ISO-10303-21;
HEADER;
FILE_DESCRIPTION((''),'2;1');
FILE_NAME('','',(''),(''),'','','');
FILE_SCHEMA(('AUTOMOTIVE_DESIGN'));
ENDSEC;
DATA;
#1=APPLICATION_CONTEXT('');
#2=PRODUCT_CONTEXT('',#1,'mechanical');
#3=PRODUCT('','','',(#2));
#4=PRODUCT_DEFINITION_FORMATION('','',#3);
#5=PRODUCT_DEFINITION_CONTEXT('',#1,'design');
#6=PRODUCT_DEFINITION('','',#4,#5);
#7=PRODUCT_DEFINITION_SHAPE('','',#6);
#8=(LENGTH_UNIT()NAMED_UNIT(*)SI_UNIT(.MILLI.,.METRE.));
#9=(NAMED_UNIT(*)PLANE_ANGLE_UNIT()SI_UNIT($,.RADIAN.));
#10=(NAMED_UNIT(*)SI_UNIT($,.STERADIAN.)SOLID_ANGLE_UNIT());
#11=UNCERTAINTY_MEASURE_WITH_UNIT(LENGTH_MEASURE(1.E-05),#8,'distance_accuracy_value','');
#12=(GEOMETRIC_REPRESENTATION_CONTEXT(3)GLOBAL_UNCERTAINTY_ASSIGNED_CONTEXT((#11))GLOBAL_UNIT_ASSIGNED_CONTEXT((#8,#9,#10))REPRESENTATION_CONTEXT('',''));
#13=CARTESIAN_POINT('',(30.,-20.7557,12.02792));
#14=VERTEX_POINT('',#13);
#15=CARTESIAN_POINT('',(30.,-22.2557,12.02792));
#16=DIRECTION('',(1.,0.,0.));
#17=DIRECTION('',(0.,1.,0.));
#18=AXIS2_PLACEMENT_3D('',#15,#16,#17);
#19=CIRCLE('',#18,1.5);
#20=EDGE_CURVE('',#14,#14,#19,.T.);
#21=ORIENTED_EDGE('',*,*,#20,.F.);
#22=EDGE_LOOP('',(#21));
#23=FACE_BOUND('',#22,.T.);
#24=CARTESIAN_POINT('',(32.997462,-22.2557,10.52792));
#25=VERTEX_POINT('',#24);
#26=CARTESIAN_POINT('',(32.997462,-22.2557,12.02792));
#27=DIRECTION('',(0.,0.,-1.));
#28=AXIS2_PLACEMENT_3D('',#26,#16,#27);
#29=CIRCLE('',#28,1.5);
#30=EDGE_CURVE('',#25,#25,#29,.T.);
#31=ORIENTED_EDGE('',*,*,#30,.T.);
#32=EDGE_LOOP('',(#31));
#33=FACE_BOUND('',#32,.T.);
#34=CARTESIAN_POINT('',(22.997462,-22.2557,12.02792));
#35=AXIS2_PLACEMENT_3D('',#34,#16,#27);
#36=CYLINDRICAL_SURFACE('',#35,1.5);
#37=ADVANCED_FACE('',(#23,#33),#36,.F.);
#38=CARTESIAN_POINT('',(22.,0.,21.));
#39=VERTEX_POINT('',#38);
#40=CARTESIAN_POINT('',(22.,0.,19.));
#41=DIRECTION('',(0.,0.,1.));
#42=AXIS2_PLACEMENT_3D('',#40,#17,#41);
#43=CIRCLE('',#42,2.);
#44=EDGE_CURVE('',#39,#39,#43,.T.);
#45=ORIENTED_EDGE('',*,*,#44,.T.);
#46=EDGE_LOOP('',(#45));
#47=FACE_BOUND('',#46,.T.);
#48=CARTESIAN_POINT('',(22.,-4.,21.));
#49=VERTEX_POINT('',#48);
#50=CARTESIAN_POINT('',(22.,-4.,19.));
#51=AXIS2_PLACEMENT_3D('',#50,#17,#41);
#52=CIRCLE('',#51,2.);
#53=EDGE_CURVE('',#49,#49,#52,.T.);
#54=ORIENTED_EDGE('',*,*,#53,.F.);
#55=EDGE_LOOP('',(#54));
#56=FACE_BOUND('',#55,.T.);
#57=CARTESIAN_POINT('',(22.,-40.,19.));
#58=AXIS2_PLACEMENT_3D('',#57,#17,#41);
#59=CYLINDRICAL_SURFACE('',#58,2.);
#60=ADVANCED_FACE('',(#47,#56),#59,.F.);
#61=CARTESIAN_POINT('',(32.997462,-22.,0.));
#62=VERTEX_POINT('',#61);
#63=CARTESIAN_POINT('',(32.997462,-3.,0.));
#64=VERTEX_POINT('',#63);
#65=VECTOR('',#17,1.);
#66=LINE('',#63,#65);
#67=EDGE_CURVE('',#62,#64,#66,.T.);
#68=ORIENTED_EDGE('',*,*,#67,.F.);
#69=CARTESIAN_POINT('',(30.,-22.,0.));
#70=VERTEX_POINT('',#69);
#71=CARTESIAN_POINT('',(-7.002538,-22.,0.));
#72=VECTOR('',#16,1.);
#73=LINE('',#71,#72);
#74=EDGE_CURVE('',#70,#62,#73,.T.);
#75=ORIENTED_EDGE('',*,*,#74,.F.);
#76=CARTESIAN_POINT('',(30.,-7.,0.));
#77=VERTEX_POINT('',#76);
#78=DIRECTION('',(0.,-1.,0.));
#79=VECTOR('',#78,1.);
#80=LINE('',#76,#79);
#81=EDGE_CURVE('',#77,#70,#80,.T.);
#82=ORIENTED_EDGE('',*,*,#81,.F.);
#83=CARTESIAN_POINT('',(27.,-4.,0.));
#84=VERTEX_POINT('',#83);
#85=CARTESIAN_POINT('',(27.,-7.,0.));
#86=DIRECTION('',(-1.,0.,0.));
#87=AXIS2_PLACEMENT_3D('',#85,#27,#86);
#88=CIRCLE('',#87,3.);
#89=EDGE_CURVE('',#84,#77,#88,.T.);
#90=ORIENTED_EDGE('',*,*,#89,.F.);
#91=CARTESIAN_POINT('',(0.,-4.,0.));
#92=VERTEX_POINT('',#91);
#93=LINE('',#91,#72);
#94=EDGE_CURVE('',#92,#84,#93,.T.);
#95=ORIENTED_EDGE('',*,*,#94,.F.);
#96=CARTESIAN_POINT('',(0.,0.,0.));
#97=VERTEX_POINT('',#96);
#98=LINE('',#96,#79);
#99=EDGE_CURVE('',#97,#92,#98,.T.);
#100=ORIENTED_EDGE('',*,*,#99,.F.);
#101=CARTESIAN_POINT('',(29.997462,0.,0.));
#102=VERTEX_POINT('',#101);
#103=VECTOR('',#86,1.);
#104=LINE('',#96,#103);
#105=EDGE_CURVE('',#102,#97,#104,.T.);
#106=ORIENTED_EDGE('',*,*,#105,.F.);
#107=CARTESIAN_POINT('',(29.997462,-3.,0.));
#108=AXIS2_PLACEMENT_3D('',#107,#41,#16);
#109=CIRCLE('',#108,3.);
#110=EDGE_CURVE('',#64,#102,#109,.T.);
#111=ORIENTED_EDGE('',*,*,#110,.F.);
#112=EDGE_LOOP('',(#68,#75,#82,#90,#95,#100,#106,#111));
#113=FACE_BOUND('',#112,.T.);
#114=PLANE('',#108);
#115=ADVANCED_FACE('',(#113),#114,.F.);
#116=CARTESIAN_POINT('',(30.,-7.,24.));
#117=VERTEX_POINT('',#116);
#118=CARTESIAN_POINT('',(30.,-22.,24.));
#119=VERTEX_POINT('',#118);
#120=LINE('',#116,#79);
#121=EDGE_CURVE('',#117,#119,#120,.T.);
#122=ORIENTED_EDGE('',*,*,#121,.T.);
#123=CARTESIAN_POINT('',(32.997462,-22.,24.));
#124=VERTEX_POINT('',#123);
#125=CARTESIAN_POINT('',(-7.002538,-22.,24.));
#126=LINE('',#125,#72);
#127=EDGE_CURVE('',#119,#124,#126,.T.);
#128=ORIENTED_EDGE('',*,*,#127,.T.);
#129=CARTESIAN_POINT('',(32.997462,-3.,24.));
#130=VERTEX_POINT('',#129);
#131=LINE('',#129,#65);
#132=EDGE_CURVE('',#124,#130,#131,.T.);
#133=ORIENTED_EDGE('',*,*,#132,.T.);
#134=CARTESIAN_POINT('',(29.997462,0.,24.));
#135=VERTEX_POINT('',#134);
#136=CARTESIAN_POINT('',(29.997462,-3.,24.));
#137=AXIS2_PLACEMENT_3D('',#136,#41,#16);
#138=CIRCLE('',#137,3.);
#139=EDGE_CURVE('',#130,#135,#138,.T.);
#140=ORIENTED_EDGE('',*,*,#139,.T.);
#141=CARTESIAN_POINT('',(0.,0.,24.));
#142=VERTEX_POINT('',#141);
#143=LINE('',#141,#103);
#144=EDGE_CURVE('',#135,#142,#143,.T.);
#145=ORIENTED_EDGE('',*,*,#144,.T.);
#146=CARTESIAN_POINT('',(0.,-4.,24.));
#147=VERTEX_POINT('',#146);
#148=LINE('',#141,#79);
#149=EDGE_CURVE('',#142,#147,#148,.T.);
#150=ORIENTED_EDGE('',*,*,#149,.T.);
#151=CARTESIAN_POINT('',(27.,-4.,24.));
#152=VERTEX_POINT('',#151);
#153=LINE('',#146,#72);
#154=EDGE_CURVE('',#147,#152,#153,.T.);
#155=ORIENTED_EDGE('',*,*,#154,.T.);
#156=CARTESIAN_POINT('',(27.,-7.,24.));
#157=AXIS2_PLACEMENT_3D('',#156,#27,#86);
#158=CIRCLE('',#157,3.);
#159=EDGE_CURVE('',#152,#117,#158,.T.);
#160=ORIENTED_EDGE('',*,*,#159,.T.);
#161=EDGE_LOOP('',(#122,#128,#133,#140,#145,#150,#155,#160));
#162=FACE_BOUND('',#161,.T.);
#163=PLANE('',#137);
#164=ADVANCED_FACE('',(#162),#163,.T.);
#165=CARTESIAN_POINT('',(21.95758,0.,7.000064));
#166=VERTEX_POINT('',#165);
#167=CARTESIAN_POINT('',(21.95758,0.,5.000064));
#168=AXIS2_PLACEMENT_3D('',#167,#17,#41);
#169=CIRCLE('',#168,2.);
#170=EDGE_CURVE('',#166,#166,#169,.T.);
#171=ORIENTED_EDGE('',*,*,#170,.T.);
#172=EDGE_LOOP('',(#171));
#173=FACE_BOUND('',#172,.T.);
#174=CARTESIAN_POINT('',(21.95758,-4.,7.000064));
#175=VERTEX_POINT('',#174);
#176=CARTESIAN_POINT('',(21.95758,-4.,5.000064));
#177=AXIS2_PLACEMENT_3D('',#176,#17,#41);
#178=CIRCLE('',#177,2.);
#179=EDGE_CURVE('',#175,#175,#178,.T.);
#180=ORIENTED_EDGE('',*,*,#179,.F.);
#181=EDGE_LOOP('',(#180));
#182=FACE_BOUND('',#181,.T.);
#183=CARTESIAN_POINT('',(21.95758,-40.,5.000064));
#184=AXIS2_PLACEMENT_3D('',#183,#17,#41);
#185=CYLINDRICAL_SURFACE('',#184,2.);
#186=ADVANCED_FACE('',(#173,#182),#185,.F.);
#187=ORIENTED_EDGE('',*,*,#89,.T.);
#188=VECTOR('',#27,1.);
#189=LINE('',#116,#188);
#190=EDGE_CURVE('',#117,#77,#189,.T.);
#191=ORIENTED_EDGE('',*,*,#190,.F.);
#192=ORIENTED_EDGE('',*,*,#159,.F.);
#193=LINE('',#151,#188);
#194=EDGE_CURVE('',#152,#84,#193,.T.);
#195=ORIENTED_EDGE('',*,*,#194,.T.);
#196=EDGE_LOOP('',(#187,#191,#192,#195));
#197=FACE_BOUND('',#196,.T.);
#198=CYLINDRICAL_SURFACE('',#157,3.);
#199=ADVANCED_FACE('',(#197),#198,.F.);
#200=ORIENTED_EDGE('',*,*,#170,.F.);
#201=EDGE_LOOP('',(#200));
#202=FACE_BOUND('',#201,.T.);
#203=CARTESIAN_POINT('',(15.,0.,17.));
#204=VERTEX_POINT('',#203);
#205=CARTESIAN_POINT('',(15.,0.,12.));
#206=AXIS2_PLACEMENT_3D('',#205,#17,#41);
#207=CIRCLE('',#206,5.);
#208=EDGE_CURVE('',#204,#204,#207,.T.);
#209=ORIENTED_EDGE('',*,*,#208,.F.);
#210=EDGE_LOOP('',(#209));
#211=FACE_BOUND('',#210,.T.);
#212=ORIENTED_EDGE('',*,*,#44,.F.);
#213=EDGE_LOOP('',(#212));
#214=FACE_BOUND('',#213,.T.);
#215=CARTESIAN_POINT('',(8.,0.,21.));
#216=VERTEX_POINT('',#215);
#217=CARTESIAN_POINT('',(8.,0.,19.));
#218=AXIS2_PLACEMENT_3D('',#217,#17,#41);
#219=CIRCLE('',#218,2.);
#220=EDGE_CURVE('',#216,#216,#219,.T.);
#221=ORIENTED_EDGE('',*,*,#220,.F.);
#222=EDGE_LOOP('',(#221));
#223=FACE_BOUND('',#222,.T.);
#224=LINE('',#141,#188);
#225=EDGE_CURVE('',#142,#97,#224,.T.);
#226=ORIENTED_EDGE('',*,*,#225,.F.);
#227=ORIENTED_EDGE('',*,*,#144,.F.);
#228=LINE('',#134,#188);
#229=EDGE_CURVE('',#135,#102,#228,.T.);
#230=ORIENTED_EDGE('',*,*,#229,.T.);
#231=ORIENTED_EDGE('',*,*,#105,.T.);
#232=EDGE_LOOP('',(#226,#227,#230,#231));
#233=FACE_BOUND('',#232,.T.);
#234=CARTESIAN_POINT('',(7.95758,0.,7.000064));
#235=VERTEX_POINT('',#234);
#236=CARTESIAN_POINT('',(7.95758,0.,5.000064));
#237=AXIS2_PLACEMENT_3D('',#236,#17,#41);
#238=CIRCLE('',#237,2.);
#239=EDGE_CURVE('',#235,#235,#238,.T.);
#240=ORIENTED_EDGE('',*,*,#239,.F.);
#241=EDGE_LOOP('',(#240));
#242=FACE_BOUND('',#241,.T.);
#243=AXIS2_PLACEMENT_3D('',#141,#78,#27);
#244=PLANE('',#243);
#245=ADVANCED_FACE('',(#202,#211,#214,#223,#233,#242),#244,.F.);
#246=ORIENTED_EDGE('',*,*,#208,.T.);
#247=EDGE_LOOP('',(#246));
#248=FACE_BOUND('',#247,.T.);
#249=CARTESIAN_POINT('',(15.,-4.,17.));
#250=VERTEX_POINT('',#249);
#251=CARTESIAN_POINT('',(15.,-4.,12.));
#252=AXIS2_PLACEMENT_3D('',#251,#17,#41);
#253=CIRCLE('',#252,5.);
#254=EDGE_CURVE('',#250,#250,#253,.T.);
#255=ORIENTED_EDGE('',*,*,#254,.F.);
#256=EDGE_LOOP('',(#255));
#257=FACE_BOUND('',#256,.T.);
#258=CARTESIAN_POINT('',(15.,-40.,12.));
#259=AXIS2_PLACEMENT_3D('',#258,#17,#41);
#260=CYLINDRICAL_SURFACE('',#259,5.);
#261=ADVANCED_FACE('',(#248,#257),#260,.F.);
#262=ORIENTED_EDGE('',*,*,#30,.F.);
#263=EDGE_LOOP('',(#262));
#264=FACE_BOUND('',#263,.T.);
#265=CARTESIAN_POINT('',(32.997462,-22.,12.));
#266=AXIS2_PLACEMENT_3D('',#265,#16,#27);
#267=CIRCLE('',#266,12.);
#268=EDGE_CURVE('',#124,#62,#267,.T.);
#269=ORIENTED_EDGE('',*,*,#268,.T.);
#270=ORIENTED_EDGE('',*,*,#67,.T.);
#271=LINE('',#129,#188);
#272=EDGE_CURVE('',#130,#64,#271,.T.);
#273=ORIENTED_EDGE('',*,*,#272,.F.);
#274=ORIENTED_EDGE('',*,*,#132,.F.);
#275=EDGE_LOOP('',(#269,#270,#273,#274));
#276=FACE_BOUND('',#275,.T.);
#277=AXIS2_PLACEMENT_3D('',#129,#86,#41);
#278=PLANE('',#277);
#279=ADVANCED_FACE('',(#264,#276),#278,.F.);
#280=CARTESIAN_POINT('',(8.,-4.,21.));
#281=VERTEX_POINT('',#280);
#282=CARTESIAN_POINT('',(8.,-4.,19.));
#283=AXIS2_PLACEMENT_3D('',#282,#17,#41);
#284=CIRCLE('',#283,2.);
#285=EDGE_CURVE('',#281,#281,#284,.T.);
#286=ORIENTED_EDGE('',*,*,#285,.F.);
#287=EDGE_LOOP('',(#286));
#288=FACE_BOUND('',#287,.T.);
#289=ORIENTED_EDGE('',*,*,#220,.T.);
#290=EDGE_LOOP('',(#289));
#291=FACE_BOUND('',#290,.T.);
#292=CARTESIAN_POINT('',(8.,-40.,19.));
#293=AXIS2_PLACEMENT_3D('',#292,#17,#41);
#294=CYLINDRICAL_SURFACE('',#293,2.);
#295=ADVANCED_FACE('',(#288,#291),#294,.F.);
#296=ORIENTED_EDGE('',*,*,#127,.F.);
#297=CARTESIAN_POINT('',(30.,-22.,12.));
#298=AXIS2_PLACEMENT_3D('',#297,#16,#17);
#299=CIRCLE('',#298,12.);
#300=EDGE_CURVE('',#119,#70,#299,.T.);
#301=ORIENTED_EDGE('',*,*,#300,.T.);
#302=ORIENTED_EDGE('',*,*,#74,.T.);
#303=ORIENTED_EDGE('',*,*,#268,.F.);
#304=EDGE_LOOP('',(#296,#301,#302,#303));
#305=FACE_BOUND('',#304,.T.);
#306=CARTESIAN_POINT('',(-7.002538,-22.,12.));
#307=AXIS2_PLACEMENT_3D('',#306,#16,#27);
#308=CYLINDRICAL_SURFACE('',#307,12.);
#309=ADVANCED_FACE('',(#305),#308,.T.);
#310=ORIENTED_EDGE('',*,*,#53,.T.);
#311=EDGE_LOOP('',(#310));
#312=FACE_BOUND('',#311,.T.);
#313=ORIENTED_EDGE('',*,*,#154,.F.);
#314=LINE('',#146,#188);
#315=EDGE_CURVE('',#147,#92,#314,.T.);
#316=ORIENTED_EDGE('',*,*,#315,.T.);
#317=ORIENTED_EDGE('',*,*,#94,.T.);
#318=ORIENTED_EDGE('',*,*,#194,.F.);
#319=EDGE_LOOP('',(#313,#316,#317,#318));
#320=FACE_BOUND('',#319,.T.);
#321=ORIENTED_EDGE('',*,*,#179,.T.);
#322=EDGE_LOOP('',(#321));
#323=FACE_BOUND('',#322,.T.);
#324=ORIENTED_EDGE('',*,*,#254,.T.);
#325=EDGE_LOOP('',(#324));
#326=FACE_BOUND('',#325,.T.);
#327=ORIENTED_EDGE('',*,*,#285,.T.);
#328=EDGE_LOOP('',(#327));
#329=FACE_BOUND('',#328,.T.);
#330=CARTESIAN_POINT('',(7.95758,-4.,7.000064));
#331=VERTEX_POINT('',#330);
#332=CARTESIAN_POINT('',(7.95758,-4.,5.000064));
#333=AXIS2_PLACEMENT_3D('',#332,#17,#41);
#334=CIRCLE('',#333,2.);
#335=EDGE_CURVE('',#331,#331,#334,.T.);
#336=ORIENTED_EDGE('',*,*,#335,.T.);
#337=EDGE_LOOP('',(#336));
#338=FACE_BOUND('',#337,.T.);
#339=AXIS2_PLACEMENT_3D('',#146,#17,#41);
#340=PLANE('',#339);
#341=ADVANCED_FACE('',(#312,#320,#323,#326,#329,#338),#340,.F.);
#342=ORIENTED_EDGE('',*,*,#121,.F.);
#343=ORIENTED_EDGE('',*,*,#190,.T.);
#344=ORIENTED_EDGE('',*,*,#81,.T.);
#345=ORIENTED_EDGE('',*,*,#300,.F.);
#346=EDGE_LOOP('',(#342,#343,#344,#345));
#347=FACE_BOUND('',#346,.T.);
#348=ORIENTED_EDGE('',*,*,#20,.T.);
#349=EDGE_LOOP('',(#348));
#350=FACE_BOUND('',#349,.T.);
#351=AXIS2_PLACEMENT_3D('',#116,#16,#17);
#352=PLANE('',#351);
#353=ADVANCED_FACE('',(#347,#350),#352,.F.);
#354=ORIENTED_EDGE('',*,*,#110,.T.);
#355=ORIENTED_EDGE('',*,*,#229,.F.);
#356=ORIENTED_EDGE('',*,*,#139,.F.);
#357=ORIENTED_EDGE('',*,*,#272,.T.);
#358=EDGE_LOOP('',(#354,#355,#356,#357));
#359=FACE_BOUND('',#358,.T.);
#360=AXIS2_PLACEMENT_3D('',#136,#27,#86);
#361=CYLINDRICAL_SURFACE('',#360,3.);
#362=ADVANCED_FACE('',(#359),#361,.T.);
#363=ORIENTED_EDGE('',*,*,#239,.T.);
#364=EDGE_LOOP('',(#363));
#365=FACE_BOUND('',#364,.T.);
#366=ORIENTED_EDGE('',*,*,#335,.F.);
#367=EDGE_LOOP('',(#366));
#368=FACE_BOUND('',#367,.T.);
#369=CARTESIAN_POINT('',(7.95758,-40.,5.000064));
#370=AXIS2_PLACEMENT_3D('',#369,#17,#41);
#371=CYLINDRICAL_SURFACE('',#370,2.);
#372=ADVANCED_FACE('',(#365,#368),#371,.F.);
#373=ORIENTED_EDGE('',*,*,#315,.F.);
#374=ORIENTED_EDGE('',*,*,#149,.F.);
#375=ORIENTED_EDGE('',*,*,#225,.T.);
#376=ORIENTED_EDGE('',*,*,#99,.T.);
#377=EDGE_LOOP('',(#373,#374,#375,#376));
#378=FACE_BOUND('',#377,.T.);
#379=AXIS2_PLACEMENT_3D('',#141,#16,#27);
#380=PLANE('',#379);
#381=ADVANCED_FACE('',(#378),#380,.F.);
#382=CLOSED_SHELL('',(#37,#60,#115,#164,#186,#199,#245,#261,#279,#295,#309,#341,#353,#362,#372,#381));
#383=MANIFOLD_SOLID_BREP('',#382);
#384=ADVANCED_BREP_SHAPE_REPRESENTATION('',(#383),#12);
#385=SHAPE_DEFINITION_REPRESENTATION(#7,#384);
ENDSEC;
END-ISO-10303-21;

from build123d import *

# Parameters (mm, degrees)
EXTRUDE_1_DEPTH          = 24
CUT_EXTRUDE_2_DEPTH      = 54.111509792
CUT_EXTRUDE_2_DEPTH_BACK = 40
CUT_EXTRUDE_START        = -40
CUT_EXTRUDE_3_DEPTH      = 40
SKETCH_8_R               = 2
SKETCH_8_R_2             = 5
CUT_EXTRUDE_4_DEPTH      = 40
SKETCH_9_R               = 1.5
CUT_EXTRUDE_5_DEPTH      = 10


with BuildPart() as part:
    # 草图1 → 凸台-拉伸1 (new body)
    with BuildSketch(Plane.XY):
        with BuildLine():
            Line((30, -7), (30, -34))
            Line((30, -34), (32.997461605, -34))
            Line((32.997461605, -34), (32.997461605, -3))
            ThreePointArc((32.997461605, -3), (32.118781948, -0.878679656), (29.997461605, 0))
            Line((29.997461605, 0), (0, 0))
            Line((0, 0), (0, -4))
            Line((0, -4), (27, -4))
            ThreePointArc((27, -4), (29.121320344, -4.878679656), (30, -7))
        make_face()
    extrude(amount=EXTRUDE_1_DEPTH)

    # 草图4 → 切除-拉伸2 (cut, two sides: drawn at the far end of the back side and taken through both)
    with BuildSketch(Plane(origin=(32.997461605, 0, 0), x_dir=(0, 0, -1), z_dir=(1, 0, 0)).offset(-CUT_EXTRUDE_2_DEPTH_BACK)):
        with BuildLine():
            Line((-24, -34), (-12, -34))
            ThreePointArc((-12, -34), (-20.485281374, -30.485281374), (-24, -22))
            Line((-24, -22), (-24, -34))
        make_face()
    extrude(amount=CUT_EXTRUDE_2_DEPTH + CUT_EXTRUDE_2_DEPTH_BACK, mode=Mode.SUBTRACT)

    # 草图7 → 切除-拉伸3 (cut)
    with BuildSketch(Plane(origin=(32.997461605, 0, 0), x_dir=(0, 0, -1), z_dir=(1, 0, 0)).offset(CUT_EXTRUDE_START)):
        with BuildLine():
            Line((0, -34), (0, -22))
            ThreePointArc((0, -22), (-3.514718626, -30.485281374), (-12, -34))
            Line((-12, -34), (0, -34))
        make_face()
    extrude(amount=CUT_EXTRUDE_3_DEPTH, mode=Mode.SUBTRACT)

    # 草图8 → 切除-拉伸4 (cut)
    with BuildSketch(Plane(origin=(0, 0, 0), x_dir=(1, 0, 0), z_dir=(0, 1, 0))):
        with Locations(Location((7.95757976, -5.000064267, 0), (0, 0, 270))):
            Circle(SKETCH_8_R)
        with Locations(Location((22, -19, 0), (0, 0, 270))):
            Circle(SKETCH_8_R)
        with Locations(Location((21.95757976, -5.000064267, 0), (0, 0, 270))):
            Circle(SKETCH_8_R)
        with Locations(Location((15, -12, 0), (0, 0, 270))):
            Circle(SKETCH_8_R_2)
        with Locations(Location((8, -19, 0), (0, 0, 270))):
            Circle(SKETCH_8_R)
    extrude(amount=-CUT_EXTRUDE_4_DEPTH, mode=Mode.SUBTRACT)

    # 草图9 → 切除-拉伸5 (cut)
    with BuildSketch(Plane(origin=(32.997461605, 0, 0), x_dir=(0, 0, -1), z_dir=(1, 0, 0))):
        with Locations((-12.027919591, -22.255700116)):
            Circle(SKETCH_9_R)
    extrude(amount=-CUT_EXTRUDE_5_DEPTH, mode=Mode.SUBTRACT)


solid = part.part
